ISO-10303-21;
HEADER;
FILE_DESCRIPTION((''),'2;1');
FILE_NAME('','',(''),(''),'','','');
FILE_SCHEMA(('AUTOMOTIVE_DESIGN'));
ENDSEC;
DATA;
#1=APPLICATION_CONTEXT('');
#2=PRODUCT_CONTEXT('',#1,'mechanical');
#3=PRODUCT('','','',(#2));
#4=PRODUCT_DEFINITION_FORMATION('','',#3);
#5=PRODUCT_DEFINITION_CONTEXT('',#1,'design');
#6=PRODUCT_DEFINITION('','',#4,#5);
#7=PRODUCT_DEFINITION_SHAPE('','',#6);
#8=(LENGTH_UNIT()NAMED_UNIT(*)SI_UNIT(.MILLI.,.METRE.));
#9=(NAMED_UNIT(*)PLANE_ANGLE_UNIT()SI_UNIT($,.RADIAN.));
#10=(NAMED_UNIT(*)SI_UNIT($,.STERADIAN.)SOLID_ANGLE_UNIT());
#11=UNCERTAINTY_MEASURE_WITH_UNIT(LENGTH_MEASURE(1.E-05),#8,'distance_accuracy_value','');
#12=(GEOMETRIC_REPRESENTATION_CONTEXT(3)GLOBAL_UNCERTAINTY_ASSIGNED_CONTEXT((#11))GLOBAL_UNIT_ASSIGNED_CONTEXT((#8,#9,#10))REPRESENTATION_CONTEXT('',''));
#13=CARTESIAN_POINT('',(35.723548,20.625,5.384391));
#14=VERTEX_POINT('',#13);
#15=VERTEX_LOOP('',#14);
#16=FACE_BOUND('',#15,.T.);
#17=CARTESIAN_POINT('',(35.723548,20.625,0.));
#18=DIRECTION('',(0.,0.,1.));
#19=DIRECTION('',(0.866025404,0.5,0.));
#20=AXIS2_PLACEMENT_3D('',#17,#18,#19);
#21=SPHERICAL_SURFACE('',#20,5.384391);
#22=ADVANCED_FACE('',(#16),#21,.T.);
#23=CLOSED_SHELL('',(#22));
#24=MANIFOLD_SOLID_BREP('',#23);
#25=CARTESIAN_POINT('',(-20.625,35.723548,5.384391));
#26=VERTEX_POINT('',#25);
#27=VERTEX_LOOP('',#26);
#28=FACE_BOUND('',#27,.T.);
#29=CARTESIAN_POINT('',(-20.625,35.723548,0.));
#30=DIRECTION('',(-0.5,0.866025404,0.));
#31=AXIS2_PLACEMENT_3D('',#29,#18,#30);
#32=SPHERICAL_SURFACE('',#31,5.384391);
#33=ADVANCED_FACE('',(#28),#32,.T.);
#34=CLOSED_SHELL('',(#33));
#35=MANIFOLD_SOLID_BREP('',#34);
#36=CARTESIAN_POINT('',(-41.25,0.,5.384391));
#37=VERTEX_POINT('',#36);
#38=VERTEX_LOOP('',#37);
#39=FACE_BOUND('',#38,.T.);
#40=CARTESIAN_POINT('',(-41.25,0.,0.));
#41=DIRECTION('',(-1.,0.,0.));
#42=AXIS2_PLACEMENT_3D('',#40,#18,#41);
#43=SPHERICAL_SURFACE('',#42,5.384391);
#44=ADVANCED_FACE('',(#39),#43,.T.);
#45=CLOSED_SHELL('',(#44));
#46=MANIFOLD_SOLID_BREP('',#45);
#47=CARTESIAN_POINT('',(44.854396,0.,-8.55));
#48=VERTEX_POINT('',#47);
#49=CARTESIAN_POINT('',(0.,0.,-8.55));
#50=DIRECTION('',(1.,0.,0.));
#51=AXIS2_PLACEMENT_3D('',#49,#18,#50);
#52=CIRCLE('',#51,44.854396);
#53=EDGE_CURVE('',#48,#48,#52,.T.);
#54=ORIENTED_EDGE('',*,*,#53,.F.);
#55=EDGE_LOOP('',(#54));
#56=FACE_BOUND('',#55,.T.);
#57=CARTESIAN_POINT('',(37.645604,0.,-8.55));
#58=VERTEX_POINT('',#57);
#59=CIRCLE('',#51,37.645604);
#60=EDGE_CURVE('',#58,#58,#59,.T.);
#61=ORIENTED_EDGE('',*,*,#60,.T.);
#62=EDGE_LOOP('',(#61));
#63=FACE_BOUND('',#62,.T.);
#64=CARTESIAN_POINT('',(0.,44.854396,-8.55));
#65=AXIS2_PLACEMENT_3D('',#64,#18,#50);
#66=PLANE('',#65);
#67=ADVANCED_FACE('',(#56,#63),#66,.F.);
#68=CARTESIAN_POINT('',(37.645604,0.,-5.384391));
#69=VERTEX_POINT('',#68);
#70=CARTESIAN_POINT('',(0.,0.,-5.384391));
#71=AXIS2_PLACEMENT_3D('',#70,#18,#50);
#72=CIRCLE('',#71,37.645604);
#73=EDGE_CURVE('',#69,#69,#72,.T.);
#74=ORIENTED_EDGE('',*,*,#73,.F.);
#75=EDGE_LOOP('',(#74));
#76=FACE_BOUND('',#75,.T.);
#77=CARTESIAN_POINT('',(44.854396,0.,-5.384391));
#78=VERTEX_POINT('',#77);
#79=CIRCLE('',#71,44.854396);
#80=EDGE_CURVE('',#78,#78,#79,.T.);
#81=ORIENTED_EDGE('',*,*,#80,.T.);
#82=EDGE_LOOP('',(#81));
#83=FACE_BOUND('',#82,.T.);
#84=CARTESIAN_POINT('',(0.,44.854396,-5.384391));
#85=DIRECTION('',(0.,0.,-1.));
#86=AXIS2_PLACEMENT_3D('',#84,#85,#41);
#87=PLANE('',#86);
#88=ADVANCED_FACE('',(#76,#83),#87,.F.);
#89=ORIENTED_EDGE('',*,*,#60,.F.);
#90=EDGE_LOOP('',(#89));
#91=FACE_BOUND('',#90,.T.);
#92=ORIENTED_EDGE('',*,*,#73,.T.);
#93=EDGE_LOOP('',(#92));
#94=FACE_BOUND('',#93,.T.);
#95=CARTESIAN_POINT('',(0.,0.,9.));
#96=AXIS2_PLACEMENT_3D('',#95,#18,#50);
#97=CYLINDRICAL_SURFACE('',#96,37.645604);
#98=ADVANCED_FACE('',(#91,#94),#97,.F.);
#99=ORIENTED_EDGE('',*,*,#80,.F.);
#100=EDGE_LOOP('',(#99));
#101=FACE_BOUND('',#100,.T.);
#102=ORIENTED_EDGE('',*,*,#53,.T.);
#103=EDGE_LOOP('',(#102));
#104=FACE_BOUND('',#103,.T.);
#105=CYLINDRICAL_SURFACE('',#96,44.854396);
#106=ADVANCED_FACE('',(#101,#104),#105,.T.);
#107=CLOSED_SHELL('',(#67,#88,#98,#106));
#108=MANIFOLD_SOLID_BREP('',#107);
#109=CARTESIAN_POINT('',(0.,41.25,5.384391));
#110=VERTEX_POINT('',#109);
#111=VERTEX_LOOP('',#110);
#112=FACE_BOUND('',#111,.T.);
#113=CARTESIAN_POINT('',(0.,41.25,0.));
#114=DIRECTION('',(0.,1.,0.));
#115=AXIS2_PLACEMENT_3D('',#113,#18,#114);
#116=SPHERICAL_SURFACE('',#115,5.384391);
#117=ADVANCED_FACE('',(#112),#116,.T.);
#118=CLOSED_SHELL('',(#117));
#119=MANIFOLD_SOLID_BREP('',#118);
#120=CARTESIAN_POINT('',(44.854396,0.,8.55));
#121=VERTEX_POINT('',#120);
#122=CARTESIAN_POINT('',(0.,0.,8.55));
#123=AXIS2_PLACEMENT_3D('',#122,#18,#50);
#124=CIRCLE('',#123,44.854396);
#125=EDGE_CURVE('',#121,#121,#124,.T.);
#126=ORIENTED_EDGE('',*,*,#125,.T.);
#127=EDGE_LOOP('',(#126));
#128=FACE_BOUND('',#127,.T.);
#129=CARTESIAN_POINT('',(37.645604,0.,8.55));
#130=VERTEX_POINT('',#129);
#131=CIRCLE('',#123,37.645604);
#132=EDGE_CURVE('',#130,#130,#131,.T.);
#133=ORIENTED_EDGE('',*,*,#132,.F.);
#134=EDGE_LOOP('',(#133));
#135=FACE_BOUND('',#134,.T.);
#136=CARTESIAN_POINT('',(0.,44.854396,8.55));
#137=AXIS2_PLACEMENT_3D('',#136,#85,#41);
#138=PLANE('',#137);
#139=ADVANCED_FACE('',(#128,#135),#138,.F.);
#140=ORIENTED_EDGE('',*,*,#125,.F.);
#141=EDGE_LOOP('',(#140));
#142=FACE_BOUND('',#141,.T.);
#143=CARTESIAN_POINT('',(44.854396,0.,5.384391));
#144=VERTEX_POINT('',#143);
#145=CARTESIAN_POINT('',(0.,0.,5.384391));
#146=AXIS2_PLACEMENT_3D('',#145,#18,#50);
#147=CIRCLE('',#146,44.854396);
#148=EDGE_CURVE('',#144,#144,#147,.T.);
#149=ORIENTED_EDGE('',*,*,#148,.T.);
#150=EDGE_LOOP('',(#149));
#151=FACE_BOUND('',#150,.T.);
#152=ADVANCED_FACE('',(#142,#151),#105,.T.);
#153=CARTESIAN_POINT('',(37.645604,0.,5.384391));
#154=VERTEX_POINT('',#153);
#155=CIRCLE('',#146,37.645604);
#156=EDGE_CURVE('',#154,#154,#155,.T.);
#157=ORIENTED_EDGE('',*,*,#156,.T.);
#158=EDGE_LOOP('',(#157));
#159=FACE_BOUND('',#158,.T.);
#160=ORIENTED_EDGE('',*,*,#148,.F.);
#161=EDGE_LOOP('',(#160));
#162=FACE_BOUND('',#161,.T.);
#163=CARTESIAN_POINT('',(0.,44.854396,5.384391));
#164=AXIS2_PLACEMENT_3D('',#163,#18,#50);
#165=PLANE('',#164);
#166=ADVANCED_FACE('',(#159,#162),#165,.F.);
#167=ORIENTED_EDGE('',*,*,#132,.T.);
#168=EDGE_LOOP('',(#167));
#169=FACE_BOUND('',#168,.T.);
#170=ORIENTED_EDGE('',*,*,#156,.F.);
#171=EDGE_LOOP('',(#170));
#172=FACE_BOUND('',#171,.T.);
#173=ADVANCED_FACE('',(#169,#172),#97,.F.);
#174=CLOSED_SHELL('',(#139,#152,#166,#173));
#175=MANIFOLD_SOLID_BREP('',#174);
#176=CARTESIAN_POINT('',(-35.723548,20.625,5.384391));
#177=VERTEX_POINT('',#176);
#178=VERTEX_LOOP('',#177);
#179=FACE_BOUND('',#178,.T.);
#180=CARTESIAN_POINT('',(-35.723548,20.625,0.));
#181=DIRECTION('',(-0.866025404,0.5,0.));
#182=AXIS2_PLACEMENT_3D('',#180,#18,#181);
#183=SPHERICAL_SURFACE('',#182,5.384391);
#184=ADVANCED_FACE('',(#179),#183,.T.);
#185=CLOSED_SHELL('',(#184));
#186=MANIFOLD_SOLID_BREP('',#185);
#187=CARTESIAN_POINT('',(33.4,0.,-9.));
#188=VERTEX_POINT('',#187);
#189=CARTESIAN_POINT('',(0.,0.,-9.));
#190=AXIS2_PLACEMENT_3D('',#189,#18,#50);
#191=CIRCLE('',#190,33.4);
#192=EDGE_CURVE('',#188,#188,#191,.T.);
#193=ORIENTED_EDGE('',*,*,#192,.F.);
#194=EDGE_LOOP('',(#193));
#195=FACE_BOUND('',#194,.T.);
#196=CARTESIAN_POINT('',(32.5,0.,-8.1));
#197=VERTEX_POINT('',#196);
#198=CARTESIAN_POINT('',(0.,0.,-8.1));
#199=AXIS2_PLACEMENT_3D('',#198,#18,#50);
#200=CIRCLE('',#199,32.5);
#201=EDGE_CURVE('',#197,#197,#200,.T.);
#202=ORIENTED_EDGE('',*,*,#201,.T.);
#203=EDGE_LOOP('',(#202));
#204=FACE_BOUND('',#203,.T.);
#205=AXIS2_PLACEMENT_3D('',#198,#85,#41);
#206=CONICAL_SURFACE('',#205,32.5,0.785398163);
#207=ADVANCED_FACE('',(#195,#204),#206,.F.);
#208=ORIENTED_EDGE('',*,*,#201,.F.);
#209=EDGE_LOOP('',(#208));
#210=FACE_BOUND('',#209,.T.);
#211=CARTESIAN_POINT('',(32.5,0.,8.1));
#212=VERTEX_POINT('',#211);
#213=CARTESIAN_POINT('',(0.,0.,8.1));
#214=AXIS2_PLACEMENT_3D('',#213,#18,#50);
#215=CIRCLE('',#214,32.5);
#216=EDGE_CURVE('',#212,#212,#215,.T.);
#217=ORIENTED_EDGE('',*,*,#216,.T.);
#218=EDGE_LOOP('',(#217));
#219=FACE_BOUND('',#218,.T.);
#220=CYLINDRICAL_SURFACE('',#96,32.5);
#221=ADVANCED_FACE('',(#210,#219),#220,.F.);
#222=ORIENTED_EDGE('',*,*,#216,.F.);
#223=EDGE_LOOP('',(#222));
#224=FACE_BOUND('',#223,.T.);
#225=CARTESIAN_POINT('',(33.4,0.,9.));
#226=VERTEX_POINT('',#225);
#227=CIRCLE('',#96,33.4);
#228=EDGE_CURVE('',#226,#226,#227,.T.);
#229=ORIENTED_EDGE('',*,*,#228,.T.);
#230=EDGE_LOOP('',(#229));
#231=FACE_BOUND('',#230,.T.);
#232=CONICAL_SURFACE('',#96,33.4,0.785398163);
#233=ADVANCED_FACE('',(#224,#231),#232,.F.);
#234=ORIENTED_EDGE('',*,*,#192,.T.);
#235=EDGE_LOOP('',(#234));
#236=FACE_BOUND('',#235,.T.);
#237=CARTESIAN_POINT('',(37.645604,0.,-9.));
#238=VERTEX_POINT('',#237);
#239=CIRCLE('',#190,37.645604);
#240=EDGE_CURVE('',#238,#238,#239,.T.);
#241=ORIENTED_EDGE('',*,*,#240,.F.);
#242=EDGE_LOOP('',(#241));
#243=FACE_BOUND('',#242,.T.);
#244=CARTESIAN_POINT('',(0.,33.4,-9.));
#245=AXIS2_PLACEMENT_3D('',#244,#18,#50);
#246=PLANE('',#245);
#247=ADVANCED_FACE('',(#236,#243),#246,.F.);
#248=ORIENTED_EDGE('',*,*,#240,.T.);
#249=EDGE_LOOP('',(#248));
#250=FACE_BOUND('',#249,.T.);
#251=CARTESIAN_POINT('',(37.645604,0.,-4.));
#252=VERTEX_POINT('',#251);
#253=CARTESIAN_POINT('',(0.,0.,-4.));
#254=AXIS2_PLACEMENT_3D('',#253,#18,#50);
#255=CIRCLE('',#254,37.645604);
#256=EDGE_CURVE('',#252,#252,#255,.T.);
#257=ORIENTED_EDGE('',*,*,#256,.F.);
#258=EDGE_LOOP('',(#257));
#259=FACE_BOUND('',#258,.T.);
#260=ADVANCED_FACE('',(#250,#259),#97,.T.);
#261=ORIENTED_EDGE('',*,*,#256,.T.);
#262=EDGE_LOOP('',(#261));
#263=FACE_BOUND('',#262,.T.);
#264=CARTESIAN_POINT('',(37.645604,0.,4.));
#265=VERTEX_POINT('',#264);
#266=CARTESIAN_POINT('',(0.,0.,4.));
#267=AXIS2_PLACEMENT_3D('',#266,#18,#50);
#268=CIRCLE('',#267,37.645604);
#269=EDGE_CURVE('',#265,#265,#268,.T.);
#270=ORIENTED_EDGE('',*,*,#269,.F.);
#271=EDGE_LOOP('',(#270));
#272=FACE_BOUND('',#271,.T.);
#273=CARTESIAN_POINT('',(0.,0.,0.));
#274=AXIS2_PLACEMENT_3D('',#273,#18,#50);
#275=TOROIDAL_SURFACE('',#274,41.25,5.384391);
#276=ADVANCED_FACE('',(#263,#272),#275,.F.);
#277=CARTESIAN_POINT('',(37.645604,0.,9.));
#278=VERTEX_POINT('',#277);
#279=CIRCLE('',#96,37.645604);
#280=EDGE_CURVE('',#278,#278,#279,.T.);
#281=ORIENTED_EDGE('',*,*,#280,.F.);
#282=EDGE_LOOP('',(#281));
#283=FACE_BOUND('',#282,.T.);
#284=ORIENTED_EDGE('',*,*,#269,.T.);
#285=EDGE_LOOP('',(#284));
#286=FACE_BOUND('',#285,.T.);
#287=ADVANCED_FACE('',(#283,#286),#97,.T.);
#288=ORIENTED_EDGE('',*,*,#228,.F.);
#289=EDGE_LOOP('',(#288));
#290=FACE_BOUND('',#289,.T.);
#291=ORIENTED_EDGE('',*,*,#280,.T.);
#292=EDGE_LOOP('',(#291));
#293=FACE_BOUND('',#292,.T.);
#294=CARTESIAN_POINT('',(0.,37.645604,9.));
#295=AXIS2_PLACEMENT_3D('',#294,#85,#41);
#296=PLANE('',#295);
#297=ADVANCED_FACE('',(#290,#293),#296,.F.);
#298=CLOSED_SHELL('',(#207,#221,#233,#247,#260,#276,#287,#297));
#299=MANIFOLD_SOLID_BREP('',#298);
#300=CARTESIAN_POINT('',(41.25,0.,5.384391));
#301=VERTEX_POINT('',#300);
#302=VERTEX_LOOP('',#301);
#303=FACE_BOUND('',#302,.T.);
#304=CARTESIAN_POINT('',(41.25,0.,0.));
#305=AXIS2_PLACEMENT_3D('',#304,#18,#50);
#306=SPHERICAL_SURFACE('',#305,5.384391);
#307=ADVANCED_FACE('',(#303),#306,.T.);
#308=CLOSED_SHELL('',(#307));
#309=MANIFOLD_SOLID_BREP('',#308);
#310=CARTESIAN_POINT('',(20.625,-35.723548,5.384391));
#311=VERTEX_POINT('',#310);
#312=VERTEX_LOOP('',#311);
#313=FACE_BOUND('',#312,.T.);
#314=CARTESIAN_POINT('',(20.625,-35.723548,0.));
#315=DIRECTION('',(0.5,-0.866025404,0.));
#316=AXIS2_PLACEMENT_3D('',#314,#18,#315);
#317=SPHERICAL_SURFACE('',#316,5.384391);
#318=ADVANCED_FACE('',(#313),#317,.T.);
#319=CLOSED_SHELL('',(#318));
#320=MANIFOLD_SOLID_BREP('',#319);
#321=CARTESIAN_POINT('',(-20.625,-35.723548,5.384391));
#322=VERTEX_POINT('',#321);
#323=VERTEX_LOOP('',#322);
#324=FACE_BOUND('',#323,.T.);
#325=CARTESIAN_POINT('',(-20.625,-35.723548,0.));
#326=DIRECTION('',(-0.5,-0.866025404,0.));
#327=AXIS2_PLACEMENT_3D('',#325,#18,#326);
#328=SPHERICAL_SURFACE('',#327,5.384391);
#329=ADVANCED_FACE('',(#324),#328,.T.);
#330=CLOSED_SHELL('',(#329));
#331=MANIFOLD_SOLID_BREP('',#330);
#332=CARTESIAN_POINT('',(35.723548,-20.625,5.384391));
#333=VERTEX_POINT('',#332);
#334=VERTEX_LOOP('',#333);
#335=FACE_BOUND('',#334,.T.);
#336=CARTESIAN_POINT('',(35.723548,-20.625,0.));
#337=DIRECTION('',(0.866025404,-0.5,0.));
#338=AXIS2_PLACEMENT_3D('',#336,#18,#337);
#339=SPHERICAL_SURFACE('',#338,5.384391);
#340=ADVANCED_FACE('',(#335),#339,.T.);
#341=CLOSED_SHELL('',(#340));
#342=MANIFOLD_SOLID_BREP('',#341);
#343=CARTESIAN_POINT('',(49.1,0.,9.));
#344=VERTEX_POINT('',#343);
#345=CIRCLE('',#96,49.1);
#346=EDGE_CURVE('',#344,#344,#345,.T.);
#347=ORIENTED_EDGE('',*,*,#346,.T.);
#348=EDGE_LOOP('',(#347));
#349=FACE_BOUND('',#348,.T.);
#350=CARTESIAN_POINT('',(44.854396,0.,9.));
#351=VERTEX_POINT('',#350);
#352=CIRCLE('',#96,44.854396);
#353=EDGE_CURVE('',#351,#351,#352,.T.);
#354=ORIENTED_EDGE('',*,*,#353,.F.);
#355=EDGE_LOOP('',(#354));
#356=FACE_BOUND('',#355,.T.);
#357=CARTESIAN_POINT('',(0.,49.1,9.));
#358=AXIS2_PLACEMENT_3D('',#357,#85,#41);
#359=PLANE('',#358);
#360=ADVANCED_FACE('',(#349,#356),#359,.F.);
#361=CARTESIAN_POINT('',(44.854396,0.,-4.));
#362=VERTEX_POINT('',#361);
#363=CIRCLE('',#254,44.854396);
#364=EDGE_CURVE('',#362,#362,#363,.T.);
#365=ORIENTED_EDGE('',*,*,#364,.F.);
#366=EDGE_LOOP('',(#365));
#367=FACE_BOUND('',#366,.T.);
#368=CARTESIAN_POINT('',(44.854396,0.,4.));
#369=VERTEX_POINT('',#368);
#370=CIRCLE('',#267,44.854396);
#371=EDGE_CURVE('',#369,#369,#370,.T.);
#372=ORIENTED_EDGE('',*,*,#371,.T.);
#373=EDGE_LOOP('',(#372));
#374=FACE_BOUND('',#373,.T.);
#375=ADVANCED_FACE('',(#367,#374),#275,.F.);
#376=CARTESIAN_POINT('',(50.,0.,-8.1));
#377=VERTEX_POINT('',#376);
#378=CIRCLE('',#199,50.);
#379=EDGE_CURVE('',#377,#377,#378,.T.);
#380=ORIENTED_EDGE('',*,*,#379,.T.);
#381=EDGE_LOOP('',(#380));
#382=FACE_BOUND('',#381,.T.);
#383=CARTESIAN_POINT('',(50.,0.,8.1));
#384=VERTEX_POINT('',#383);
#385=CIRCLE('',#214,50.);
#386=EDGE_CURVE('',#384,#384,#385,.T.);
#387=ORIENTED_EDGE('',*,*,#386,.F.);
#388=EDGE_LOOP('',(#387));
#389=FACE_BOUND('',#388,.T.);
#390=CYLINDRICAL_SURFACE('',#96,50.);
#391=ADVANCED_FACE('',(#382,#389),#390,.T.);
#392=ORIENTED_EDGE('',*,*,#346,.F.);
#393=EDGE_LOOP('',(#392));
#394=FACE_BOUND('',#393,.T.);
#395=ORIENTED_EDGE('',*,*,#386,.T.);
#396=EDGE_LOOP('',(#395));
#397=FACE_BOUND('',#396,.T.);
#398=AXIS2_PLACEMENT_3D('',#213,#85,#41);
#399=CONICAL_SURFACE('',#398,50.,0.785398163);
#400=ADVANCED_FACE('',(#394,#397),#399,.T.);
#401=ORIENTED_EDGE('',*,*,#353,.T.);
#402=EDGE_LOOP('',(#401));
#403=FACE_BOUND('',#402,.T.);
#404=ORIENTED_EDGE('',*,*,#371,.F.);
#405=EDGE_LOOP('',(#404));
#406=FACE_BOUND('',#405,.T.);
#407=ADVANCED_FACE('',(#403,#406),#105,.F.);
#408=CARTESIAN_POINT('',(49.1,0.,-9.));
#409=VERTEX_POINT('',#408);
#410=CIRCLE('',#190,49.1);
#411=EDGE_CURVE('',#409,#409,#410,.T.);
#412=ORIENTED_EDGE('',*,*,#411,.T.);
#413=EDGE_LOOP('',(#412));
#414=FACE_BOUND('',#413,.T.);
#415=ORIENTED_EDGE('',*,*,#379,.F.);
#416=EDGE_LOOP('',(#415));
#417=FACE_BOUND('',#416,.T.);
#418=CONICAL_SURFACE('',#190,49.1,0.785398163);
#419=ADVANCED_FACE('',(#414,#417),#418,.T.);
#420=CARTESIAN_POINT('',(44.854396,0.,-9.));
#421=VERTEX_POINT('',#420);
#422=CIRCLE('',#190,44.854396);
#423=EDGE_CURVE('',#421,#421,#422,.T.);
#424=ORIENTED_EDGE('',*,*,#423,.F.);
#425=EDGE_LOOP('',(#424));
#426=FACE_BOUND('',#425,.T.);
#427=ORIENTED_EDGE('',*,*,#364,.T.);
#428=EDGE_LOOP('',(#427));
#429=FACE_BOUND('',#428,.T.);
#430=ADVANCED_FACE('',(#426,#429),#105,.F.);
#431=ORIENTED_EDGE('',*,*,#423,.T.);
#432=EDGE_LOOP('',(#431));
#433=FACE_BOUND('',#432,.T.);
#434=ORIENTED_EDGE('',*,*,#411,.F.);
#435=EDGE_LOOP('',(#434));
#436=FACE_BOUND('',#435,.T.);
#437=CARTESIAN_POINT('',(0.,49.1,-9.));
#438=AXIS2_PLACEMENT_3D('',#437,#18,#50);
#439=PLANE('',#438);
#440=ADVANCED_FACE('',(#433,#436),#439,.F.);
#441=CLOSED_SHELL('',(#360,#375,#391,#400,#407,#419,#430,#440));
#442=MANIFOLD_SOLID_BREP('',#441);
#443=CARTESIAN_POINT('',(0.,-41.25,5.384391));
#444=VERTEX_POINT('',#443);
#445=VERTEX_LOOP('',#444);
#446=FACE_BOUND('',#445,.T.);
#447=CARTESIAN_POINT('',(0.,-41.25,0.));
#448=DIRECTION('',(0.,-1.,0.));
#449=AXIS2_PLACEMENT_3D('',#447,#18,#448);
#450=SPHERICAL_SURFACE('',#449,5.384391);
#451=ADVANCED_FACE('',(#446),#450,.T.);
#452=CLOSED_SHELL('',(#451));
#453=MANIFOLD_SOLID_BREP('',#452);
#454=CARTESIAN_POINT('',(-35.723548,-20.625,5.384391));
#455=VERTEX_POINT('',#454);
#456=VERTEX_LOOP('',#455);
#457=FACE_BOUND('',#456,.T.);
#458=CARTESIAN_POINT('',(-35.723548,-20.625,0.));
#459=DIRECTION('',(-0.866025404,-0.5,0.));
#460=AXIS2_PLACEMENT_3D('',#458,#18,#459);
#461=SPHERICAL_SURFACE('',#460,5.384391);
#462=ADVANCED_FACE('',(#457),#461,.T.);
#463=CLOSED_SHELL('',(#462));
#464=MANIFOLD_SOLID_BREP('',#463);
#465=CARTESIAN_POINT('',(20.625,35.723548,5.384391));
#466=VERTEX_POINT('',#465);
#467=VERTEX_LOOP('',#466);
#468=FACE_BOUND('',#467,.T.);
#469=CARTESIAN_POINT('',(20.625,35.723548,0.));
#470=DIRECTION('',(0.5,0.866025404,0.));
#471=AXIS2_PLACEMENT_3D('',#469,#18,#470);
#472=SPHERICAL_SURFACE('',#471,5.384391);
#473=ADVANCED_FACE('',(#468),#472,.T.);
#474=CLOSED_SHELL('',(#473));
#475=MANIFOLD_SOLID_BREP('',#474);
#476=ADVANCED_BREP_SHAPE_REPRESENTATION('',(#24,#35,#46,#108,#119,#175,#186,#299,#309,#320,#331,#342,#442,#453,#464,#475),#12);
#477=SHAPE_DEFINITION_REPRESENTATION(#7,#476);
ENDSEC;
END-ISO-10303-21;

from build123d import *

# Parameters (mm, degrees)
CIRPATTERN1_COUNT = 12
SKETCH5_W         = 3.165608886
SKETCH5_H         = 7.208791208


with BuildPart() as part:
    # Sketch1 → Revolve1 (revolve)
    with BuildSketch(Plane(origin=(0, 0, 0), x_dir=(0, 0, -1), z_dir=(1, 0, 0))):
        with BuildLine():
            Line((8.1, 50), (-8.1, 50))
            Line((-8.1, 50), (-9, 49.1))
            Line((-9, 49.1), (-9, 44.854395604))
            Line((-9, 44.854395604), (-4, 44.854395604))
            ThreePointArc((-4, 44.854395604), (0, 46.634391114), (4, 44.854395604))
            Line((4, 44.854395604), (9, 44.854395604))
            Line((9, 44.854395604), (9, 49.1))
            Line((9, 49.1), (8.1, 50))
        make_face()
    revolve(axis=Axis((0, 0, 9), (0, 0, -1)))


with BuildPart() as body_2:
    # Sketch3 → Revolve3 (revolve)
    with BuildSketch(Plane(origin=(0, 0, 0), x_dir=(0, 0, -1), z_dir=(1, 0, 0))):
        with BuildLine():
            Line((-9, 37.645604396), (-4, 37.645604396))
            ThreePointArc((-4, 37.645604396), (0, 35.865608886), (4, 37.645604396))
            Line((4, 37.645604396), (9, 37.645604396))
            Line((9, 37.645604396), (9, 33.4))
            Line((9, 33.4), (8.1, 32.5))
            Line((8.1, 32.5), (-8.1, 32.5))
            Line((-8.1, 32.5), (-9, 33.4))
            Line((-9, 33.4), (-9, 37.645604396))
        make_face()
    revolve(axis=Axis((0, 0, 9), (0, 0, -1)))


with BuildPart() as body_3:
    # Sketch4 → Revolve4 (revolve)
    with BuildSketch(Plane(origin=(0, 0, 0), x_dir=(0, 0, -1), z_dir=(1, 0, 0))):
        with BuildLine():
            Line((-5.384391114, 41.25), (5.384391114, 41.25))
            ThreePointArc((5.384391114, 41.25), (0, 46.634391114), (-5.384391114, 41.25))
        make_face()
    revolve(axis=Axis((0, 41.25, 5.384391114), (0, 0, -1)))


with BuildPart() as cirpattern1_1:
    # CirPattern1: pattern copy
    add(body_3.part.rotate(Axis((0, 0, -9), (0, 0, 1)), 1 * 360 / CIRPATTERN1_COUNT))


with BuildPart() as cirpattern1_2:
    # CirPattern1: pattern copy
    add(body_3.part.rotate(Axis((0, 0, -9), (0, 0, 1)), 2 * 360 / CIRPATTERN1_COUNT))


with BuildPart() as cirpattern1_3:
    # CirPattern1: pattern copy
    add(body_3.part.rotate(Axis((0, 0, -9), (0, 0, 1)), 3 * 360 / CIRPATTERN1_COUNT))


with BuildPart() as cirpattern1_4:
    # CirPattern1: pattern copy
    add(body_3.part.rotate(Axis((0, 0, -9), (0, 0, 1)), 4 * 360 / CIRPATTERN1_COUNT))


with BuildPart() as cirpattern1_5:
    # CirPattern1: pattern copy
    add(body_3.part.rotate(Axis((0, 0, -9), (0, 0, 1)), 5 * 360 / CIRPATTERN1_COUNT))


with BuildPart() as cirpattern1_6:
    # CirPattern1: pattern copy
    add(body_3.part.rotate(Axis((0, 0, -9), (0, 0, 1)), 6 * 360 / CIRPATTERN1_COUNT))


with BuildPart() as cirpattern1_7:
    # CirPattern1: pattern copy
    add(body_3.part.rotate(Axis((0, 0, -9), (0, 0, 1)), 7 * 360 / CIRPATTERN1_COUNT))


with BuildPart() as cirpattern1_8:
    # CirPattern1: pattern copy
    add(body_3.part.rotate(Axis((0, 0, -9), (0, 0, 1)), 8 * 360 / CIRPATTERN1_COUNT))


with BuildPart() as cirpattern1_9:
    # CirPattern1: pattern copy
    add(body_3.part.rotate(Axis((0, 0, -9), (0, 0, 1)), 9 * 360 / CIRPATTERN1_COUNT))


with BuildPart() as cirpattern1_10:
    # CirPattern1: pattern copy
    add(body_3.part.rotate(Axis((0, 0, -9), (0, 0, 1)), 10 * 360 / CIRPATTERN1_COUNT))


with BuildPart() as cirpattern1_11:
    # CirPattern1: pattern copy
    add(body_3.part.rotate(Axis((0, 0, -9), (0, 0, 1)), 11 * 360 / CIRPATTERN1_COUNT))


with BuildPart() as body_15:
    # Sketch5 → Revolve5 (revolve)
    with BuildSketch(Plane(origin=(0, 0, 0), x_dir=(0, 0, -1), z_dir=(1, 0, 0))):
        with Locations((-6.967195557, 41.25)):
            Rectangle(SKETCH5_W, SKETCH5_H)
        with Locations((6.967195557, 41.25)):
            Rectangle(SKETCH5_W, SKETCH5_H)
    revolve(axis=Axis((0, 0, 9), (0, 0, -1)))


solid = Compound([part.part, body_2.part, body_3.part, cirpattern1_1.part, cirpattern1_2.part, cirpattern1_3.part, cirpattern1_4.part, cirpattern1_5.part, cirpattern1_6.part, cirpattern1_7.part, cirpattern1_8.part, cirpattern1_9.part, cirpattern1_10.part, cirpattern1_11.part, body_15.part])
